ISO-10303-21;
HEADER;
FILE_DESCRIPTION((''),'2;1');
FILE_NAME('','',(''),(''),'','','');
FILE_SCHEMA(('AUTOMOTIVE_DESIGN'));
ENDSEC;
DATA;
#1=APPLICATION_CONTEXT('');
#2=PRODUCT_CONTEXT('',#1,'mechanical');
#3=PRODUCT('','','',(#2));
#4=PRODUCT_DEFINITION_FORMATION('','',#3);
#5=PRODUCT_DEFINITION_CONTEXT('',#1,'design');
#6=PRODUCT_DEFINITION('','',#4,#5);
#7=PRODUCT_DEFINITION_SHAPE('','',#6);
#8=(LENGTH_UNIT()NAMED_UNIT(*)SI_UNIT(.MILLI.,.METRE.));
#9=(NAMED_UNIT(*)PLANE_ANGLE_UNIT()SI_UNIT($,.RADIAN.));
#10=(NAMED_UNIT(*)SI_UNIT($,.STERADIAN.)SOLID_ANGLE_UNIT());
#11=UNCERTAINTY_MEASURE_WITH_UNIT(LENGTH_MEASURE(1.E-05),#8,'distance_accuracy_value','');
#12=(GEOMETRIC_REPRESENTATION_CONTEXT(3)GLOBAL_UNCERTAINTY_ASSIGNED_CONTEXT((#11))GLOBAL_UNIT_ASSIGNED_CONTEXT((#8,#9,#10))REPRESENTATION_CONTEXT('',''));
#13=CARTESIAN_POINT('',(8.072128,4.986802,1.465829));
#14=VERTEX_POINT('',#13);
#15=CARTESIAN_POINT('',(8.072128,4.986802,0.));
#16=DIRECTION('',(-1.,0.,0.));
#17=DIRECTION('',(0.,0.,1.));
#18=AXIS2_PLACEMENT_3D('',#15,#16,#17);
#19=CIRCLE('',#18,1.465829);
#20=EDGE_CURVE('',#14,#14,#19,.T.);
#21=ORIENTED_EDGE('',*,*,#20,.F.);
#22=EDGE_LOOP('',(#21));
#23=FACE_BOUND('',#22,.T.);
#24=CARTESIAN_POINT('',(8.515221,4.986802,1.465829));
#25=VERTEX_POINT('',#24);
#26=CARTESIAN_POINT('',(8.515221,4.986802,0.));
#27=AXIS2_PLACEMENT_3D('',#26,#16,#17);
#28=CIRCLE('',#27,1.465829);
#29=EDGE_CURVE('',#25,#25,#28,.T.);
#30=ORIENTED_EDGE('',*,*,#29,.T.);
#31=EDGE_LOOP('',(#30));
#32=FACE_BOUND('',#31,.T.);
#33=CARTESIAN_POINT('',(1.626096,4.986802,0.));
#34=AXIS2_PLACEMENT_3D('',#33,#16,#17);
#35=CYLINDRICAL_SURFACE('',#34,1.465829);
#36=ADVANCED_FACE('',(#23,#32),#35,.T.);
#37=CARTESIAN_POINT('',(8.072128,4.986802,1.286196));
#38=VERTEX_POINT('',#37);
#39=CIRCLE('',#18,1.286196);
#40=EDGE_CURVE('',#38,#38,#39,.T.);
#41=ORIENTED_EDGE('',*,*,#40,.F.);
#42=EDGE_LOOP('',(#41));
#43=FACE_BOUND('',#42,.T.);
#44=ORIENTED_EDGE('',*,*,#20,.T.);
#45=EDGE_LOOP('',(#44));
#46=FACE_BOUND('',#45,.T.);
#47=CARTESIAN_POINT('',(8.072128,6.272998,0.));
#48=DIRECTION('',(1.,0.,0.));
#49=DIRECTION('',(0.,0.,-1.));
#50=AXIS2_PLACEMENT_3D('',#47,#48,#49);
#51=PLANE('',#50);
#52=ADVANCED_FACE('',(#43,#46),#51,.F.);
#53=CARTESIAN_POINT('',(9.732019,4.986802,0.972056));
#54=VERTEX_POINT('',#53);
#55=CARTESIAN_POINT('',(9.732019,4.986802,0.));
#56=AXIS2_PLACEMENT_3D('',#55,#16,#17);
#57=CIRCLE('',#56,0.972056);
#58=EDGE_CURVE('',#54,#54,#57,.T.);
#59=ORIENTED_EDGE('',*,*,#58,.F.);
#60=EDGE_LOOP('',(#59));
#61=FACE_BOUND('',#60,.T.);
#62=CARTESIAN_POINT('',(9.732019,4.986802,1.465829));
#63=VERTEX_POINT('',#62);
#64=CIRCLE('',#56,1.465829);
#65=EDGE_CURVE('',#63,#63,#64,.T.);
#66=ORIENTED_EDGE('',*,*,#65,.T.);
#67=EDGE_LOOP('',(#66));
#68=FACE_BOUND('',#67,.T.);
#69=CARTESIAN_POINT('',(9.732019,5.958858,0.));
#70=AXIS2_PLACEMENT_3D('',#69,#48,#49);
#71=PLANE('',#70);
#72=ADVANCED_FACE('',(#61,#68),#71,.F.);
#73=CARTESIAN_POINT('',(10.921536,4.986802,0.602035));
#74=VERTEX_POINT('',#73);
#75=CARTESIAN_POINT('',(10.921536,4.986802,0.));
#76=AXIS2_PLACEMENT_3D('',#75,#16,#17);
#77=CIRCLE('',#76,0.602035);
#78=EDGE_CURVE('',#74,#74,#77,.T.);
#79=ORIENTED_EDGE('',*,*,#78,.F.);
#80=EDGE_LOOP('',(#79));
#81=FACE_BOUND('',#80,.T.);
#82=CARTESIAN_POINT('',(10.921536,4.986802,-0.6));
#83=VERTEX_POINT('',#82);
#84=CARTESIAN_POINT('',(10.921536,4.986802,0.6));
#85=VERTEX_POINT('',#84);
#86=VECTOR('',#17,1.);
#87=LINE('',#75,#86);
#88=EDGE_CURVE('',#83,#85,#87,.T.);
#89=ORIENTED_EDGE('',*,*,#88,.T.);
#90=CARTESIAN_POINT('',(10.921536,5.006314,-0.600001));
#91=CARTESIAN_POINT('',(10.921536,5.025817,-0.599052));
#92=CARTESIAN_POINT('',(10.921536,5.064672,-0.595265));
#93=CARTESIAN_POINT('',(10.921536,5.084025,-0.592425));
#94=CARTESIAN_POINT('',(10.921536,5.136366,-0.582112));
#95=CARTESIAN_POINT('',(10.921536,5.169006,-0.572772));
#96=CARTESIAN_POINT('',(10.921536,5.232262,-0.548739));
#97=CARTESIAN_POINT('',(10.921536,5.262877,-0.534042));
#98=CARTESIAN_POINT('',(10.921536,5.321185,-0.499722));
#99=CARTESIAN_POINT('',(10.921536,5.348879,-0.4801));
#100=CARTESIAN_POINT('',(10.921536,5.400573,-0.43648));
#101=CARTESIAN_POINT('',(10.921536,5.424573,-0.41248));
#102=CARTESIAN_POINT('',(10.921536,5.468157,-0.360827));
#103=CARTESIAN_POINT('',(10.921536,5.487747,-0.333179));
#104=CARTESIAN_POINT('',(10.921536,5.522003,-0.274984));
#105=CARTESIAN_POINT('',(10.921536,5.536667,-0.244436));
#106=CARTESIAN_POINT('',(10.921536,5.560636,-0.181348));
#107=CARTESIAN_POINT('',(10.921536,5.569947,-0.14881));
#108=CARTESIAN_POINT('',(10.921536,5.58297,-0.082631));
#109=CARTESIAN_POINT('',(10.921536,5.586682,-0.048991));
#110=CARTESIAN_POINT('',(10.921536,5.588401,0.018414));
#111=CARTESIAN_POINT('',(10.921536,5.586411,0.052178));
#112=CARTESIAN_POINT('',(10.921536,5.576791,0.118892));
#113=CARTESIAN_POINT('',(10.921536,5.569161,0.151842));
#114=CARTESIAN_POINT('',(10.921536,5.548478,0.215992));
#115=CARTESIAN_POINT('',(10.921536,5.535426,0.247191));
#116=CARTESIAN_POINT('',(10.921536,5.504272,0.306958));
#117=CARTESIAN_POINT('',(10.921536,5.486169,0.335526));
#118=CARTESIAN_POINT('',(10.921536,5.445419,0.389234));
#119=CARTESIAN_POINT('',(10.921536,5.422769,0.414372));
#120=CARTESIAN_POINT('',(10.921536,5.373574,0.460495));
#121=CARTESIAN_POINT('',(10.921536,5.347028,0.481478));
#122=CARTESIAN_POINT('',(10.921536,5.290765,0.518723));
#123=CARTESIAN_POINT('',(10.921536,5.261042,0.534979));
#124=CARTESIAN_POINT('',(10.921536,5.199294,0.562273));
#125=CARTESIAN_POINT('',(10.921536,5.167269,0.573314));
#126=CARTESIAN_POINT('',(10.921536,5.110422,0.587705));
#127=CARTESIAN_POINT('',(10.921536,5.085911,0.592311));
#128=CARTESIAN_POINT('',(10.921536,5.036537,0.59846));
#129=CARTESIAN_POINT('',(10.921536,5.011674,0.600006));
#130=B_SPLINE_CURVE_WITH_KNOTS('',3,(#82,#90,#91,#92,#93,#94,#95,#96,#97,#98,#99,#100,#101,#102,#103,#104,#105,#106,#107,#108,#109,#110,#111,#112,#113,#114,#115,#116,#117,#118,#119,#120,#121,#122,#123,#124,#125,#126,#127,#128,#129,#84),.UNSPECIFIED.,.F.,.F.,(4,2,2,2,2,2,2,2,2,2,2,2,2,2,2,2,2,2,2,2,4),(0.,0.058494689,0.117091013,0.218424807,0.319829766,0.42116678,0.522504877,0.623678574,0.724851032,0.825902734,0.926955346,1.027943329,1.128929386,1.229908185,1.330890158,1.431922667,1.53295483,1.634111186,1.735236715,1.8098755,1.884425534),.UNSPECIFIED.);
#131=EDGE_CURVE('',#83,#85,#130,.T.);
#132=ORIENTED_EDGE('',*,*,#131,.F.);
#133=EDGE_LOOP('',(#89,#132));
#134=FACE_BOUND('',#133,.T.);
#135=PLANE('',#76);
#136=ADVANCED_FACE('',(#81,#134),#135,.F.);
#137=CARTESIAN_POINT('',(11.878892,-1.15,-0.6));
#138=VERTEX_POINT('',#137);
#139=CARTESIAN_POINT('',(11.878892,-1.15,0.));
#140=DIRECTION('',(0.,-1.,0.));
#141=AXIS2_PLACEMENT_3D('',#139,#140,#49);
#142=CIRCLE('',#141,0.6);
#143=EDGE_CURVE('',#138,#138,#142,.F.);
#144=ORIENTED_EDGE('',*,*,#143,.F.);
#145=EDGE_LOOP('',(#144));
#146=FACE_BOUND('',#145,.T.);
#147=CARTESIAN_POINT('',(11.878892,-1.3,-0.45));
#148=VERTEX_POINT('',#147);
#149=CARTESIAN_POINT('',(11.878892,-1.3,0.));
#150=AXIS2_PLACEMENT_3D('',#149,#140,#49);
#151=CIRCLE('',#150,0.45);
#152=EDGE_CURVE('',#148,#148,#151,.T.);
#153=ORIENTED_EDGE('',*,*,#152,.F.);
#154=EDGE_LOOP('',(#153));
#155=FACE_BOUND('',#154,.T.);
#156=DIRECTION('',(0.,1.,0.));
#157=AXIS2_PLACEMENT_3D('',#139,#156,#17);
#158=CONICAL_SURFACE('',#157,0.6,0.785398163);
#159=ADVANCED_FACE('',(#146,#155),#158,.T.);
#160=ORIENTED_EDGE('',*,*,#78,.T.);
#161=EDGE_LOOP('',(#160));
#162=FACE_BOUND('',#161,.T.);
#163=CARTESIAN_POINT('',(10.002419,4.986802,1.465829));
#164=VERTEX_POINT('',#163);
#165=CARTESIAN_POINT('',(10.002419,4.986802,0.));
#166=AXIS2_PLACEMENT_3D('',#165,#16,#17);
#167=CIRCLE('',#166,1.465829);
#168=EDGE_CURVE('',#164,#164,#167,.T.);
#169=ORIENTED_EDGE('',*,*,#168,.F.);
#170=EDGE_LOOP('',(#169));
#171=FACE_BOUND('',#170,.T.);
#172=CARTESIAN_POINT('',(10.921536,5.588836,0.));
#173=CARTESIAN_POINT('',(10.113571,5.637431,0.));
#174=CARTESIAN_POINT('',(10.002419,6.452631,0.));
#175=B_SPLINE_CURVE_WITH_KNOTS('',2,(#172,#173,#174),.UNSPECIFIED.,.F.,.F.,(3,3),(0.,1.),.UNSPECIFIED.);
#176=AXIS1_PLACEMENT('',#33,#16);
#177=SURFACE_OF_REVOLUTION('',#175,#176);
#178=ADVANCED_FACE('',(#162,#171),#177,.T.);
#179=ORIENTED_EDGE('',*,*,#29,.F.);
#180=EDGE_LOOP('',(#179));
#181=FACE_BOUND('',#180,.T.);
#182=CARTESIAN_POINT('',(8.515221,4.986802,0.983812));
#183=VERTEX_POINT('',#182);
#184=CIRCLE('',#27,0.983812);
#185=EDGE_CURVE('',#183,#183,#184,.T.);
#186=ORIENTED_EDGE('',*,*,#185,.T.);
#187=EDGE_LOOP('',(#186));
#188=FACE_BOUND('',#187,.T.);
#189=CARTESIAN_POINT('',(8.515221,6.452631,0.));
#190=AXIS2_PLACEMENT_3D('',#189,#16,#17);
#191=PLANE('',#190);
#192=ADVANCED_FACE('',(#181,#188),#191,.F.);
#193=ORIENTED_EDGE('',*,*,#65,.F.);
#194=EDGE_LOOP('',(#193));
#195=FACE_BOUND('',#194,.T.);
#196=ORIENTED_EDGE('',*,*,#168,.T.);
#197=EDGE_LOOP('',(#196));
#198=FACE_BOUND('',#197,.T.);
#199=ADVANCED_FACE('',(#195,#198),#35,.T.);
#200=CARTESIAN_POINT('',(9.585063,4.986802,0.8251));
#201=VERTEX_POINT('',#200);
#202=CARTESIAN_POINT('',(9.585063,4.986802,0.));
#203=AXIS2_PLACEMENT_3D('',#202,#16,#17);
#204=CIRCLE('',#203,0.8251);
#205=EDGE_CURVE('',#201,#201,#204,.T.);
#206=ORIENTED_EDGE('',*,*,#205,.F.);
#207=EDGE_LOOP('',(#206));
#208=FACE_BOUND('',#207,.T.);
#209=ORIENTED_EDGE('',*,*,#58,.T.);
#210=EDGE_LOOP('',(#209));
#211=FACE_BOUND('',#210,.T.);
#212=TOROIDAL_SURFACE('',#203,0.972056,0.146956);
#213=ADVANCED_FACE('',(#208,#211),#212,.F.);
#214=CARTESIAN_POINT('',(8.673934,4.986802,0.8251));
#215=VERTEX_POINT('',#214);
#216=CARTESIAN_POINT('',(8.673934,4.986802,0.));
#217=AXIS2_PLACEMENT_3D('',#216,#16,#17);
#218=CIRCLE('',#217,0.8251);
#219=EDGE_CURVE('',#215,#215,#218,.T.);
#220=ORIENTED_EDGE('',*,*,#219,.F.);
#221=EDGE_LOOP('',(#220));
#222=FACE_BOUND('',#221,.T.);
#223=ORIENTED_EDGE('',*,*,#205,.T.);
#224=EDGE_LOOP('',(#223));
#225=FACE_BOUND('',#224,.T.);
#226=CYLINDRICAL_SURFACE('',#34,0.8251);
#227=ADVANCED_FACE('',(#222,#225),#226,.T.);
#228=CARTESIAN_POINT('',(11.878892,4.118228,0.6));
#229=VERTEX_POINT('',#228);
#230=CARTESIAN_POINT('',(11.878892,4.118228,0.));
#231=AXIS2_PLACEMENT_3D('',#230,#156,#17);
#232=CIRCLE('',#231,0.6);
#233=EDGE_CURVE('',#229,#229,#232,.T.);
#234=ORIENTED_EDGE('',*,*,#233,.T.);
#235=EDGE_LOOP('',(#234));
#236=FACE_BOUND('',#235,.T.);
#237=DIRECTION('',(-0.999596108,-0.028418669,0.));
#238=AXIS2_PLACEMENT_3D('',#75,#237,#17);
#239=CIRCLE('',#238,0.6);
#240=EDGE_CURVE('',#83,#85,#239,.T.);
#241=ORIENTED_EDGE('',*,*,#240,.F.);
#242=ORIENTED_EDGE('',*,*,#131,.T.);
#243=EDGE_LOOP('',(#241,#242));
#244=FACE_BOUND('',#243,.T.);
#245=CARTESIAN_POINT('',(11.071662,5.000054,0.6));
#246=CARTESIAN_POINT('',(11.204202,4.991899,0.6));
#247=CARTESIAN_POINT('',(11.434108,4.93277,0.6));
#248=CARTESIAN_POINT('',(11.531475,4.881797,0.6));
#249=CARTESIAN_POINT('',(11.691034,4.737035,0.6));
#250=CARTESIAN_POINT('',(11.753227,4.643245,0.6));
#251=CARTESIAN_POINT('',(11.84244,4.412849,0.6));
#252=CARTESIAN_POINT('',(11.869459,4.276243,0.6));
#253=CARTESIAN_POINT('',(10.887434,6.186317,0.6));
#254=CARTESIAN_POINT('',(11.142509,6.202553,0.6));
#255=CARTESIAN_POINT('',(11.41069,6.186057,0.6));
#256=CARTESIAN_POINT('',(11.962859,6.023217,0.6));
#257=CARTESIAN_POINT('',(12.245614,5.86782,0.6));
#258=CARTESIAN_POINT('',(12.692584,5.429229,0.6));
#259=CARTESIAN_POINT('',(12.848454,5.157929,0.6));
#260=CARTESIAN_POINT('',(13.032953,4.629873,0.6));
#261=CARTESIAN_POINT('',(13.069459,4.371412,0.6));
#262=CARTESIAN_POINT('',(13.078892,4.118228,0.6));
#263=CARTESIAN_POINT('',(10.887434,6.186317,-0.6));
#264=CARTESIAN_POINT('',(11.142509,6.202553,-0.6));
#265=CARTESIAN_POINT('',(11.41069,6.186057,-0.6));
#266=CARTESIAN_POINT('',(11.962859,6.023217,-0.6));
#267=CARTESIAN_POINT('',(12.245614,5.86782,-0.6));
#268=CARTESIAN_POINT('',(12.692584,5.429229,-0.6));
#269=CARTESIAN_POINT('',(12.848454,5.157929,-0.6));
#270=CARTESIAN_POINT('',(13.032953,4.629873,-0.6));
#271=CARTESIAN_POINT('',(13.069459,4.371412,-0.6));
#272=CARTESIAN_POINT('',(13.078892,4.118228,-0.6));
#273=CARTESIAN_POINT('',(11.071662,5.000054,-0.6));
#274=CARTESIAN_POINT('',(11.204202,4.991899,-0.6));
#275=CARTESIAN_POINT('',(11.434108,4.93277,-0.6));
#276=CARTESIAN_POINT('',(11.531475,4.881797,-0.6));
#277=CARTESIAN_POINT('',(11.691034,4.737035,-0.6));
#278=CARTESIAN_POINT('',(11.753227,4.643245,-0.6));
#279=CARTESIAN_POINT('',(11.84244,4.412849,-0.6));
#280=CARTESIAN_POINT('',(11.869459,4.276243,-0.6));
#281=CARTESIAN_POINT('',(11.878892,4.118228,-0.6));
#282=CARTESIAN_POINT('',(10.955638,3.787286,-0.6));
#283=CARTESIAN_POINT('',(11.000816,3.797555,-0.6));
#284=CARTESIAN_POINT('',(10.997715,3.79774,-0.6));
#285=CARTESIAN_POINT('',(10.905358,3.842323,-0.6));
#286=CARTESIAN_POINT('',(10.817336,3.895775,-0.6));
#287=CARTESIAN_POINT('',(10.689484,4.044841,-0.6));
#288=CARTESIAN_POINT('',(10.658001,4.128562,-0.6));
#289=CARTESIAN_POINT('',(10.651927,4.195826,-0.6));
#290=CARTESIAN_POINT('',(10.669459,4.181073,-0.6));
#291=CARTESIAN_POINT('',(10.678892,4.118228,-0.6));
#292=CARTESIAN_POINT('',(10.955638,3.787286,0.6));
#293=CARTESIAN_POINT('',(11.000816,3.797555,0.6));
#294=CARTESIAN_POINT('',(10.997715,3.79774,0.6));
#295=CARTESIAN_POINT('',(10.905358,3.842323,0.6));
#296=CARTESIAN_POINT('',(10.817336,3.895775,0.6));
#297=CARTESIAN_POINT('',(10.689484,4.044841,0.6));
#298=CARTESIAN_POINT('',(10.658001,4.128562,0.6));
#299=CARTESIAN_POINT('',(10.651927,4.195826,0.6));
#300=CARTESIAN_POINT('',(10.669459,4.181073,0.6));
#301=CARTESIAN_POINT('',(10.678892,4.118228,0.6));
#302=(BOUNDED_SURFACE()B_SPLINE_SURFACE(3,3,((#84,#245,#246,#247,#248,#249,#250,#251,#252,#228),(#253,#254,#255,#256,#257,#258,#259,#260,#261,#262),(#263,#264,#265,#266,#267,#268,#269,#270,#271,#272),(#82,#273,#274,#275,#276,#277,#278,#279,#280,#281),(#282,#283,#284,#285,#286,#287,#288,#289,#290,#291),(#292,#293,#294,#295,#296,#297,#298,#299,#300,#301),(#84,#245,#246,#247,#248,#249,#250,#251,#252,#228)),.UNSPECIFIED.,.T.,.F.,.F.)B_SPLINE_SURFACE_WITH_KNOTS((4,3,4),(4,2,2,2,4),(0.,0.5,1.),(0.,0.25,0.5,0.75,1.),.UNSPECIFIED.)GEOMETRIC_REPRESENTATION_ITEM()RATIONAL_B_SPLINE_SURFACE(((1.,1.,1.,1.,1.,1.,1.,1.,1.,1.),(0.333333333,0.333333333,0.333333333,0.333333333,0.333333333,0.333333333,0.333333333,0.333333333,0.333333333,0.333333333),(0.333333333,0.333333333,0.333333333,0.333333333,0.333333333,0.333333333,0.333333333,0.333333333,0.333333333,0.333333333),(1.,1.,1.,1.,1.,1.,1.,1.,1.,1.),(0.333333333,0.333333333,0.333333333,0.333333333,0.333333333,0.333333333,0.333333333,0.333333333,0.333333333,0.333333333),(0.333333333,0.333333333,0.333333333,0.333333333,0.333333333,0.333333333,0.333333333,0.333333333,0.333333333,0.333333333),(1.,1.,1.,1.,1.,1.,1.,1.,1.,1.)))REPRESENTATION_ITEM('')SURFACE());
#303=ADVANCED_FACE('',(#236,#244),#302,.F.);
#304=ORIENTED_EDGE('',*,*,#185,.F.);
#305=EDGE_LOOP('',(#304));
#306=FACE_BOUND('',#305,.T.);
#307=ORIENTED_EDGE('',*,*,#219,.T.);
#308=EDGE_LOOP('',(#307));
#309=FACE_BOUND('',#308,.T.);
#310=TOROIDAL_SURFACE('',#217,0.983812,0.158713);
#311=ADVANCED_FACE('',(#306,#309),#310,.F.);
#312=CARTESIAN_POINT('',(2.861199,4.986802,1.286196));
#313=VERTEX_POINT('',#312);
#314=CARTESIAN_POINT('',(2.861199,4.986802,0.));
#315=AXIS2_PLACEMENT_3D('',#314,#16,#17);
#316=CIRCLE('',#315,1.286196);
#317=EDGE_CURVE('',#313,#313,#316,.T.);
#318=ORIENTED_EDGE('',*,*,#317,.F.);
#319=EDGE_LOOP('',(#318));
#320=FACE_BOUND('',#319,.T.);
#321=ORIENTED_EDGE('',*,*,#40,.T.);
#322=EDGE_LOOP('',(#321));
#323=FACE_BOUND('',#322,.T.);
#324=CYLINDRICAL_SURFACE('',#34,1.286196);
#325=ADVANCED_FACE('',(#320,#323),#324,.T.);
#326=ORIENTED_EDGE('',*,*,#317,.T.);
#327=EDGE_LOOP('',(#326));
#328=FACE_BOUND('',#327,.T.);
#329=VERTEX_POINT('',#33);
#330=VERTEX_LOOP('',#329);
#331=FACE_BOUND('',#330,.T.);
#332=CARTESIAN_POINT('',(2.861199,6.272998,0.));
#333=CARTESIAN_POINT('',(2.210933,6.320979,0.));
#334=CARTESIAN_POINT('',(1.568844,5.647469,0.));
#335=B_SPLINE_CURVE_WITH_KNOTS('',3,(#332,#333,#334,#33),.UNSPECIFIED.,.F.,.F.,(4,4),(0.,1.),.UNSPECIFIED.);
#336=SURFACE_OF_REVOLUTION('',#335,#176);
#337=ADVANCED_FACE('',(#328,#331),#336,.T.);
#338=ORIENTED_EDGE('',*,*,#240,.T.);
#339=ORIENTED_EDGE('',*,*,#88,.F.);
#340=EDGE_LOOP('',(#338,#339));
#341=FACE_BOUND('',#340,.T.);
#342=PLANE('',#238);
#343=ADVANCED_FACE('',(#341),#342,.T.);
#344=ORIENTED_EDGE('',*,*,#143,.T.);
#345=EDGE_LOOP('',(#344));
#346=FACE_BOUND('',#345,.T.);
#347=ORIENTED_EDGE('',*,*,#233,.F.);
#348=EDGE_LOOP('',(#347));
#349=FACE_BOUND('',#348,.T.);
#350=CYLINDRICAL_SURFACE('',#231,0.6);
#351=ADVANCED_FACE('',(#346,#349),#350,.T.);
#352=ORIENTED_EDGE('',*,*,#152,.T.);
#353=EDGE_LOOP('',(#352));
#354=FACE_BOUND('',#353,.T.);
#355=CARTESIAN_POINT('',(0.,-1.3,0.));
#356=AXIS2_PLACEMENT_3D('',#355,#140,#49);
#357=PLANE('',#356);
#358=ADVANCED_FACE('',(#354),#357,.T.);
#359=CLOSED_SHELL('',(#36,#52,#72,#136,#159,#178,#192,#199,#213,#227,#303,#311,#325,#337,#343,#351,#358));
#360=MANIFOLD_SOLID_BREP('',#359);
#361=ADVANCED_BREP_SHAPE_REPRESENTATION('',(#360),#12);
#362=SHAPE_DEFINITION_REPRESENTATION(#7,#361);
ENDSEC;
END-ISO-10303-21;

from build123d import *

# Parameters (mm, degrees)
SKETCH2_W     = 0.6
SKETCH2_H     = 4.118227863
SKETCH2_H_2   = 1.3
SKETCH10_R    = 0.6
CHAMFER1_SIZE = 0.15


with BuildPart() as part:
    # Sketch1 → Revolve1 (revolve)
    with BuildSketch(Plane.XY, mode=Mode.PRIVATE) as revolve1_sk:
        with BuildLine():
            Line((1.626095531, 4.986801801), (10.92153598, 4.986801801))
            Line((10.92153598, 4.986801801), (10.92153598, 5.588836435))
            add(Edge.make_bspline(
                [(10.00241881, 6.452631049), (10.113570909, 5.637430805), (10.92153598, 5.588836435)],
                knots=[0, 0, 0, 1, 1, 1], degree=2))
            Line((10.00241881, 6.452631049), (9.732019166, 6.452631049))
            Line((9.732019166, 6.452631049), (9.732019166, 5.958857786))
            ThreePointArc((9.732019166, 5.958857786), (9.688976654, 5.854943969), (9.585062838, 5.811901457))
            Line((9.585062838, 5.811901457), (8.673933602, 5.811901457))
            ThreePointArc((8.673933602, 5.811901457), (8.56170668, 5.85838737), (8.515220767, 5.970614292))
            Line((8.515220767, 5.970614292), (8.515220767, 6.452631049))
            Line((8.515220767, 6.452631049), (8.072127944, 6.452631049))
            Line((8.072127944, 6.452631049), (8.072127944, 6.272997822))
            Line((8.072127944, 6.272997822), (2.861199395, 6.272997822))
            add(Edge.make_bspline(
                [(1.626095531, 4.986801801), (1.568844138, 5.647468558), (2.210932821, 6.320979116), (2.861199395, 6.272997822)],
                knots=[0, 0, 0, 0, 1, 1, 1, 1], degree=3))
        make_face()
    revolve(revolve1_sk.sketch.rotate(Axis((1.626095531, 4.986801801, 0), (1, 0, 0)), 90), axis=Axis((1.626095531, 4.986801801, 0), (1, 0, 0)))



with BuildPart() as body_2:
    # Sketch2 → Revolve2 (revolve)
    with BuildSketch(Plane.XY, mode=Mode.PRIVATE) as revolve2_sk:
        with Locations((12.178892064, 2.059113932)):
            Rectangle(SKETCH2_W, SKETCH2_H)
        with Locations((12.178892064, -0.65)):
            Rectangle(SKETCH2_W, SKETCH2_H_2)
    revolve(revolve2_sk.sketch.rotate(Axis((11.878892064, 4.118227863, 0), (0, -1, 0)), 90), axis=Axis((11.878892064, 4.118227863, 0), (0, -1, 0)))


with BuildPart() as part_1:
    add(part.part)

    add(body_2.part)  # Sweep1 merges body 2
    # Sweep1: sweep along a path in Sketch3
    with BuildLine() as sweep1_path:  # in the path sketch's own coordinates; laid on its plane below (add() does not lay a ready-made edge on the line's plane)
        add(Edge.make_bspline(
            [(10.92153598, 4.986801801), (11.822294838, 5.066317243), (11.878892064, 4.118227863)],
            knots=[0, 0, 0, 1, 1, 1], degree=2))
    # Sketch10 → Sweep1 (sweep)
    with BuildSketch(Plane(origin=(0, 4.118227863, 0), x_dir=(1, 0, 0), z_dir=(0, 1, 0))):
        with Locations((11.878892064, 0)):
            Circle(SKETCH10_R)
    sweep(path=Plane.XY * sweep1_path.line)

    # Chamfer1
    chamfer1_edges = [part_1.edges().sort_by_distance(p)[0] for p in [
        (11.878892064, -1.3, -0.6),
    ]]
    chamfer(chamfer1_edges, length=CHAMFER1_SIZE)


solid = part_1.part
